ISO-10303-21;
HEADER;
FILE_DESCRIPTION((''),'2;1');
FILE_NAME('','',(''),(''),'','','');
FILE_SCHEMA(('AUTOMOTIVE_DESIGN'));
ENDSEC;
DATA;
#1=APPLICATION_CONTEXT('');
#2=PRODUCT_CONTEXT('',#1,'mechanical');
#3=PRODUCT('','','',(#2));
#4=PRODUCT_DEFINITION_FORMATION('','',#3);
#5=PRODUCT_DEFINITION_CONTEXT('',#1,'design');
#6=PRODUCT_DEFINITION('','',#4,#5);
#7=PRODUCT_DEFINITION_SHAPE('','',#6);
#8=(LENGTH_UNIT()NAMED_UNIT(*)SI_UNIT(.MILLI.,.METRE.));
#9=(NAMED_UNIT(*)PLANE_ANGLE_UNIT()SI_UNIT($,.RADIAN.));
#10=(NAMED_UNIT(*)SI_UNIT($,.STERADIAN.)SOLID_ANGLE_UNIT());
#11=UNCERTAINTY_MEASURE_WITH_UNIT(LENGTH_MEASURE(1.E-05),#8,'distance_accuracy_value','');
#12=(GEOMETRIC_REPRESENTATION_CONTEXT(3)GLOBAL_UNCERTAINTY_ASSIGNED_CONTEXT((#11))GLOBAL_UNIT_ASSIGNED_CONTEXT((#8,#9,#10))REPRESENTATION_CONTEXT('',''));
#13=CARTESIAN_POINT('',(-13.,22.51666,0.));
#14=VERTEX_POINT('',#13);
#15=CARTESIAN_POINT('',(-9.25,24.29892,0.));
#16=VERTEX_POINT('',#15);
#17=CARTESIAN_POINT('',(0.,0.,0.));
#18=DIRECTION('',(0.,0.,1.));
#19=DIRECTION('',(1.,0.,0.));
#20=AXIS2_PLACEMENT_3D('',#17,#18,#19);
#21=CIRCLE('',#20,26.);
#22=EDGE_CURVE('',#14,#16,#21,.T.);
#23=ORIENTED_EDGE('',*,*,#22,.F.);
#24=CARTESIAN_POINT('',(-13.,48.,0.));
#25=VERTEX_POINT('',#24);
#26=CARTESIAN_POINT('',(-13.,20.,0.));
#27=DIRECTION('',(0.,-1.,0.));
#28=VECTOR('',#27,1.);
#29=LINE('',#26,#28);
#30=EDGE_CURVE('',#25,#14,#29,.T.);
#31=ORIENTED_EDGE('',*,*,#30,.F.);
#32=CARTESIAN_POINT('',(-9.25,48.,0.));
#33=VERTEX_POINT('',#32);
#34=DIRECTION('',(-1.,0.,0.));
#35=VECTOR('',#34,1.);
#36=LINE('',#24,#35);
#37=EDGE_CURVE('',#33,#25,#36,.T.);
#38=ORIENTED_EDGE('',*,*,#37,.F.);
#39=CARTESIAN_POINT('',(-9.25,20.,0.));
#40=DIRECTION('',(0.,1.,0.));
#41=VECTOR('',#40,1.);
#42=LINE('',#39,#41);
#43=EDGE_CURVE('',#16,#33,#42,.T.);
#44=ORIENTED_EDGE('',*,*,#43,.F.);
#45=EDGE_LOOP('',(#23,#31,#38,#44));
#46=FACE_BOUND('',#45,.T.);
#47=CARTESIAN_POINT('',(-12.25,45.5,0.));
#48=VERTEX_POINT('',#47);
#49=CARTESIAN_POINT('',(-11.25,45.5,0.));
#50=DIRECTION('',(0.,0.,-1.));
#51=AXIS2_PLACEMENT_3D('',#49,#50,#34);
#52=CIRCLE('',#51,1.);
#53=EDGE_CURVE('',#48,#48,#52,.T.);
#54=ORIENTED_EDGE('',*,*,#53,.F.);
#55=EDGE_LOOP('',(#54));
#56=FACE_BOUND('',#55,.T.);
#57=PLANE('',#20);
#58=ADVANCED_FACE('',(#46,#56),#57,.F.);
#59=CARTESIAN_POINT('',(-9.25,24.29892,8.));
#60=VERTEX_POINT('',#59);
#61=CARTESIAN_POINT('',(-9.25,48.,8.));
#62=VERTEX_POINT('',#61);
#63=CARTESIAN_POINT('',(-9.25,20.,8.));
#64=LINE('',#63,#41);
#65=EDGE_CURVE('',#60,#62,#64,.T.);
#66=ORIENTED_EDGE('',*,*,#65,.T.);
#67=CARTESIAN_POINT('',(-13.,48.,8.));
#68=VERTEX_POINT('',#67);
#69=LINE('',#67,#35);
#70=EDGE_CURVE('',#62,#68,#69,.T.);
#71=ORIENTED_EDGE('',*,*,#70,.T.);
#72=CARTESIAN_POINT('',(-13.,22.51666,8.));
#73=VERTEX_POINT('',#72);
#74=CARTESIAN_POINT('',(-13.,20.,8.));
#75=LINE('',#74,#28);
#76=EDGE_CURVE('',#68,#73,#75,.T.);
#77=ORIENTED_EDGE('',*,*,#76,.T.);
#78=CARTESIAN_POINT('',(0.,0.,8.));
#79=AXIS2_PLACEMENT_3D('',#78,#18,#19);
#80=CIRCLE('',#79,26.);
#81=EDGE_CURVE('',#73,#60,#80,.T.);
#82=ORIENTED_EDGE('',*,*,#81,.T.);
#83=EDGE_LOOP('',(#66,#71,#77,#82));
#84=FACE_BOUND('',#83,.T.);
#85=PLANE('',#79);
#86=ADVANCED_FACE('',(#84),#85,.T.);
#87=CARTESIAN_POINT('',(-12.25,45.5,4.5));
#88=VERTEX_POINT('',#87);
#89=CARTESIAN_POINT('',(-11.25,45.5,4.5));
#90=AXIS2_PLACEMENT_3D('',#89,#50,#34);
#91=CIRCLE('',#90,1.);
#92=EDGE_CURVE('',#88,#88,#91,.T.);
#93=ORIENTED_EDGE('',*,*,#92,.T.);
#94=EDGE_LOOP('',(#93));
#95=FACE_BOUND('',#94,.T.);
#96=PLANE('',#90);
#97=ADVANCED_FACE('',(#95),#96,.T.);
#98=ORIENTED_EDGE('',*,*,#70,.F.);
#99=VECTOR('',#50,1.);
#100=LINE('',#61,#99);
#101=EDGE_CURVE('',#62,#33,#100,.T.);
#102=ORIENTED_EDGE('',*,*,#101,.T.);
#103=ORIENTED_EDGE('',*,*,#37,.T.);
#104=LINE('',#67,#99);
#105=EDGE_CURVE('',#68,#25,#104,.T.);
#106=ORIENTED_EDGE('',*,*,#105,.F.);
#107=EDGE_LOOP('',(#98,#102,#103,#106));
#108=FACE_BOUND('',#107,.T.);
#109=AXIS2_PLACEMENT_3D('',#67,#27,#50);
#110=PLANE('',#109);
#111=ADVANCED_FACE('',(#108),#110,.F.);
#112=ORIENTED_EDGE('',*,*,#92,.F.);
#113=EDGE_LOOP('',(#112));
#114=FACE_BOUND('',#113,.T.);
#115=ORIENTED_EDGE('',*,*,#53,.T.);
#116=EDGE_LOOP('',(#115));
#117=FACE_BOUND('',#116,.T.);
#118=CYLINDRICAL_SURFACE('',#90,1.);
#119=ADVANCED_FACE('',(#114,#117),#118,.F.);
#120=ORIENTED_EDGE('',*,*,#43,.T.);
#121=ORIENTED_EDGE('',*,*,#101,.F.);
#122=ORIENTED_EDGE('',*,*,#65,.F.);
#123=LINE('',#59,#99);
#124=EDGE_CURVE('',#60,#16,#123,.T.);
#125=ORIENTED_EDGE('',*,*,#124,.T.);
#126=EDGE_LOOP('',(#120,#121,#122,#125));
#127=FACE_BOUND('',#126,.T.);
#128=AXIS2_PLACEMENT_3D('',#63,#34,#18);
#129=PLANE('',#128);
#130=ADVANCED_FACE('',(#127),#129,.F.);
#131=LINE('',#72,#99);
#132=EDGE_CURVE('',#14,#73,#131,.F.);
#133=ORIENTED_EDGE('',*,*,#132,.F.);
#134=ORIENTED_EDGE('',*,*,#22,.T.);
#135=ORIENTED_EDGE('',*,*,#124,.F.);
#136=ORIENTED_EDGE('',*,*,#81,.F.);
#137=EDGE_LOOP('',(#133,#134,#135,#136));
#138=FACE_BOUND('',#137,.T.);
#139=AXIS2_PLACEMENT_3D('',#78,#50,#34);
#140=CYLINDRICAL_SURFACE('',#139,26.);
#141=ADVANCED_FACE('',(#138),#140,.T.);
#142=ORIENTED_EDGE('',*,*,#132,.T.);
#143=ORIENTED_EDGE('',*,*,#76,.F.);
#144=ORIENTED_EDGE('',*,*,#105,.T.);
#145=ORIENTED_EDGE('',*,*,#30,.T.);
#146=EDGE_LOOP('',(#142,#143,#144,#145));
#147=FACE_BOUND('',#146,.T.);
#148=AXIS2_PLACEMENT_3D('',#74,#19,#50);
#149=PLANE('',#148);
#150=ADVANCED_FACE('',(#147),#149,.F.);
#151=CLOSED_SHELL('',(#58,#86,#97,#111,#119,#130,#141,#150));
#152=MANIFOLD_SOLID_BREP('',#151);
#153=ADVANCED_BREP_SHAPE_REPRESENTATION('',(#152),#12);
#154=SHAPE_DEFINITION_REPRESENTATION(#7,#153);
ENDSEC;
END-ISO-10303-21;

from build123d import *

# Parameters (mm, degrees)
SKETCH1_R          = 26
PLATE_DEPTH        = 8
SKETCH2_W          = 3.75
SKETCH2_H          = 28
DRIVE_LUG_DEPTH    = 8
SKETCH6_R          = 1
CUT_EXTRUDE5_DEPTH = 4.5


with BuildPart() as part:
    # Sketch1 → PLATE (new body)
    with BuildSketch(Plane.XY):
        Circle(SKETCH1_R)
    extrude(amount=PLATE_DEPTH)

    # Sketch2 → DRIVE_LUG (add)
    with BuildSketch(Plane.XY):
        with Locations((-11.125, 34)):
            Rectangle(SKETCH2_W, SKETCH2_H)
    extrude(amount=DRIVE_LUG_DEPTH)

    # Sketch6 → Cut-Extrude5 (cut)
    with BuildSketch(Plane(origin=(0, 0, 0), x_dir=(-1, 0, 0), z_dir=(0, 0, -1))):
        with Locations((11.25, 45.5)):
            Circle(SKETCH6_R)
    extrude(amount=-CUT_EXTRUDE5_DEPTH, mode=Mode.SUBTRACT)


solid = part.part
